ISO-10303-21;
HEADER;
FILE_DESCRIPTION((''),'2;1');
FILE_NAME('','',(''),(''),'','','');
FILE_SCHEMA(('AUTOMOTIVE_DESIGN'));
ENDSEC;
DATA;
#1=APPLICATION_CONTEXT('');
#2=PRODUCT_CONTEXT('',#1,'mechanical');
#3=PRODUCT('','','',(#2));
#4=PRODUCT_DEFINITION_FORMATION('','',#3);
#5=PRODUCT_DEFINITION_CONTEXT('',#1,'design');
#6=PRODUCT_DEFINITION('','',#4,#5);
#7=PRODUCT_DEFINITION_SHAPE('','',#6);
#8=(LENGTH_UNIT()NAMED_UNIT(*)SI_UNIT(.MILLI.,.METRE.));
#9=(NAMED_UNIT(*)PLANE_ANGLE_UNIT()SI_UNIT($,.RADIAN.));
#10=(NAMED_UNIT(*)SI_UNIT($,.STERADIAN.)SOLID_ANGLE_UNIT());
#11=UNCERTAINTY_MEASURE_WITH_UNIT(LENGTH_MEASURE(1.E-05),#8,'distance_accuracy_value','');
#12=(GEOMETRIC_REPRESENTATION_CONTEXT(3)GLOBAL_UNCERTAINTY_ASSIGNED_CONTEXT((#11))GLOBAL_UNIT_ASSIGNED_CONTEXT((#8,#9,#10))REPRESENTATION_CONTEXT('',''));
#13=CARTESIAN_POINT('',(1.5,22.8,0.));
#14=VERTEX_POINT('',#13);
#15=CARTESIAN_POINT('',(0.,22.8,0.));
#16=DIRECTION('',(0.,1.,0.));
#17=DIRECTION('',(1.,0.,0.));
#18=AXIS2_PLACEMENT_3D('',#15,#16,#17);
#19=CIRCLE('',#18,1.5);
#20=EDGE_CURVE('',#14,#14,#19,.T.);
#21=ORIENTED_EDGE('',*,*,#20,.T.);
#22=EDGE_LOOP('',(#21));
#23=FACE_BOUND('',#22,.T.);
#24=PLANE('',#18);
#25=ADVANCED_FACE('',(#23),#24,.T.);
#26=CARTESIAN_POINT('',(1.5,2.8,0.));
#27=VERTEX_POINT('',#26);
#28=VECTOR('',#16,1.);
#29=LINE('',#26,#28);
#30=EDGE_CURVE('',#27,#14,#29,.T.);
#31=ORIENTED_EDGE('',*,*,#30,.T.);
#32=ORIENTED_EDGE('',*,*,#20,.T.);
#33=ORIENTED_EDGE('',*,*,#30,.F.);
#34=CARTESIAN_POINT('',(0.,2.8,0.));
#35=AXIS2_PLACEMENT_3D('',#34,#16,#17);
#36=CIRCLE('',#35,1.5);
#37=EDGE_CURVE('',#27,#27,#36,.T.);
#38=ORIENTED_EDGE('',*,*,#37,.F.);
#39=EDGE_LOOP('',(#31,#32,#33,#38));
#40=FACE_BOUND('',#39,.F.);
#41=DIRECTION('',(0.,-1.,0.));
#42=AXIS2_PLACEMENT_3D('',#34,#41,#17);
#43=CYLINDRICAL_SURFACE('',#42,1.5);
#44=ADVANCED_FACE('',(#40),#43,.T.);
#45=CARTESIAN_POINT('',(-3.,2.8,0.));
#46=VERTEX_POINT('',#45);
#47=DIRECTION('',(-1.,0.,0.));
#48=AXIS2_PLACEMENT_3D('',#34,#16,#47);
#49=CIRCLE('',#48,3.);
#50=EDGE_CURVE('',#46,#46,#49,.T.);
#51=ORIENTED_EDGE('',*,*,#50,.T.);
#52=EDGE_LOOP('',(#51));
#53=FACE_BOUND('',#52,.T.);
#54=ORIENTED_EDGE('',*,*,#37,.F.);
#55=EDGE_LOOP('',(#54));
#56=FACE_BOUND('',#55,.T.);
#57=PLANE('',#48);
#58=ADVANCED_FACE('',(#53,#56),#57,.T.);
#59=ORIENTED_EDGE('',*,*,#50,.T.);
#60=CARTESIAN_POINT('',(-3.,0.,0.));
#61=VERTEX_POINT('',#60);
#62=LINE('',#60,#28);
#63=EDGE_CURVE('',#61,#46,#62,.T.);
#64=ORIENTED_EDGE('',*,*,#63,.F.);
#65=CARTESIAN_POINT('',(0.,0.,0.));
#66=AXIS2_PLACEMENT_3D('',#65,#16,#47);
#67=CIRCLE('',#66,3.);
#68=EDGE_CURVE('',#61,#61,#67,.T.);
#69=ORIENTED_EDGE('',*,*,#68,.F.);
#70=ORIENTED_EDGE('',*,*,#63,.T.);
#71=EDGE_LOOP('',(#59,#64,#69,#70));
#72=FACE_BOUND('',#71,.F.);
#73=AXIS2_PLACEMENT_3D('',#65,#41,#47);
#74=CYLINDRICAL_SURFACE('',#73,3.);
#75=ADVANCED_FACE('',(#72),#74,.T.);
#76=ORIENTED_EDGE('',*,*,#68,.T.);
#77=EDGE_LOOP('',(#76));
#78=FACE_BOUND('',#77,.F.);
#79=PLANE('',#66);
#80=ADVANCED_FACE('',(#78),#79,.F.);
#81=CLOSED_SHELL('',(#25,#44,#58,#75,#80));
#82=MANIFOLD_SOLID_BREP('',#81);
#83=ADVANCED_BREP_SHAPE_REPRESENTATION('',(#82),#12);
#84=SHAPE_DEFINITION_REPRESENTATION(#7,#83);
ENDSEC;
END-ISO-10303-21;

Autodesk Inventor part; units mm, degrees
ref_plane "YZ Plane" through (0, 0, 0) normal (1, 0, 0) x (0, 1, 0)
ref_plane "XZ Plane" through (0, 0, 0) normal (0, 1, 0) x (-1, 0, 0)
ref_plane "XY Plane" through (0, 0, 0) normal (0, 0, 1) x (1, 0, 0)
sketch "Sketch1" plane through (0, 0, 0) normal (0, 1, 0) x (-1, 0, 0)
  circle A0 centre (0, 0) radius 3
  dimension "d0" = 6
extrude "Extrusion1" add sketch "Sketch1" along normal blind 2.8
sketch "Sketch2" plane through (0, 2.8, 0) normal (0, 1, 0) x (1, 0, 0)
  circle A0 centre (0, 0) radius 1.5
  dimension "d3" = 3
extrude "Extrusion2" add sketch "Sketch2" along normal blind 20
properties part number "Three(mm)Screw"
